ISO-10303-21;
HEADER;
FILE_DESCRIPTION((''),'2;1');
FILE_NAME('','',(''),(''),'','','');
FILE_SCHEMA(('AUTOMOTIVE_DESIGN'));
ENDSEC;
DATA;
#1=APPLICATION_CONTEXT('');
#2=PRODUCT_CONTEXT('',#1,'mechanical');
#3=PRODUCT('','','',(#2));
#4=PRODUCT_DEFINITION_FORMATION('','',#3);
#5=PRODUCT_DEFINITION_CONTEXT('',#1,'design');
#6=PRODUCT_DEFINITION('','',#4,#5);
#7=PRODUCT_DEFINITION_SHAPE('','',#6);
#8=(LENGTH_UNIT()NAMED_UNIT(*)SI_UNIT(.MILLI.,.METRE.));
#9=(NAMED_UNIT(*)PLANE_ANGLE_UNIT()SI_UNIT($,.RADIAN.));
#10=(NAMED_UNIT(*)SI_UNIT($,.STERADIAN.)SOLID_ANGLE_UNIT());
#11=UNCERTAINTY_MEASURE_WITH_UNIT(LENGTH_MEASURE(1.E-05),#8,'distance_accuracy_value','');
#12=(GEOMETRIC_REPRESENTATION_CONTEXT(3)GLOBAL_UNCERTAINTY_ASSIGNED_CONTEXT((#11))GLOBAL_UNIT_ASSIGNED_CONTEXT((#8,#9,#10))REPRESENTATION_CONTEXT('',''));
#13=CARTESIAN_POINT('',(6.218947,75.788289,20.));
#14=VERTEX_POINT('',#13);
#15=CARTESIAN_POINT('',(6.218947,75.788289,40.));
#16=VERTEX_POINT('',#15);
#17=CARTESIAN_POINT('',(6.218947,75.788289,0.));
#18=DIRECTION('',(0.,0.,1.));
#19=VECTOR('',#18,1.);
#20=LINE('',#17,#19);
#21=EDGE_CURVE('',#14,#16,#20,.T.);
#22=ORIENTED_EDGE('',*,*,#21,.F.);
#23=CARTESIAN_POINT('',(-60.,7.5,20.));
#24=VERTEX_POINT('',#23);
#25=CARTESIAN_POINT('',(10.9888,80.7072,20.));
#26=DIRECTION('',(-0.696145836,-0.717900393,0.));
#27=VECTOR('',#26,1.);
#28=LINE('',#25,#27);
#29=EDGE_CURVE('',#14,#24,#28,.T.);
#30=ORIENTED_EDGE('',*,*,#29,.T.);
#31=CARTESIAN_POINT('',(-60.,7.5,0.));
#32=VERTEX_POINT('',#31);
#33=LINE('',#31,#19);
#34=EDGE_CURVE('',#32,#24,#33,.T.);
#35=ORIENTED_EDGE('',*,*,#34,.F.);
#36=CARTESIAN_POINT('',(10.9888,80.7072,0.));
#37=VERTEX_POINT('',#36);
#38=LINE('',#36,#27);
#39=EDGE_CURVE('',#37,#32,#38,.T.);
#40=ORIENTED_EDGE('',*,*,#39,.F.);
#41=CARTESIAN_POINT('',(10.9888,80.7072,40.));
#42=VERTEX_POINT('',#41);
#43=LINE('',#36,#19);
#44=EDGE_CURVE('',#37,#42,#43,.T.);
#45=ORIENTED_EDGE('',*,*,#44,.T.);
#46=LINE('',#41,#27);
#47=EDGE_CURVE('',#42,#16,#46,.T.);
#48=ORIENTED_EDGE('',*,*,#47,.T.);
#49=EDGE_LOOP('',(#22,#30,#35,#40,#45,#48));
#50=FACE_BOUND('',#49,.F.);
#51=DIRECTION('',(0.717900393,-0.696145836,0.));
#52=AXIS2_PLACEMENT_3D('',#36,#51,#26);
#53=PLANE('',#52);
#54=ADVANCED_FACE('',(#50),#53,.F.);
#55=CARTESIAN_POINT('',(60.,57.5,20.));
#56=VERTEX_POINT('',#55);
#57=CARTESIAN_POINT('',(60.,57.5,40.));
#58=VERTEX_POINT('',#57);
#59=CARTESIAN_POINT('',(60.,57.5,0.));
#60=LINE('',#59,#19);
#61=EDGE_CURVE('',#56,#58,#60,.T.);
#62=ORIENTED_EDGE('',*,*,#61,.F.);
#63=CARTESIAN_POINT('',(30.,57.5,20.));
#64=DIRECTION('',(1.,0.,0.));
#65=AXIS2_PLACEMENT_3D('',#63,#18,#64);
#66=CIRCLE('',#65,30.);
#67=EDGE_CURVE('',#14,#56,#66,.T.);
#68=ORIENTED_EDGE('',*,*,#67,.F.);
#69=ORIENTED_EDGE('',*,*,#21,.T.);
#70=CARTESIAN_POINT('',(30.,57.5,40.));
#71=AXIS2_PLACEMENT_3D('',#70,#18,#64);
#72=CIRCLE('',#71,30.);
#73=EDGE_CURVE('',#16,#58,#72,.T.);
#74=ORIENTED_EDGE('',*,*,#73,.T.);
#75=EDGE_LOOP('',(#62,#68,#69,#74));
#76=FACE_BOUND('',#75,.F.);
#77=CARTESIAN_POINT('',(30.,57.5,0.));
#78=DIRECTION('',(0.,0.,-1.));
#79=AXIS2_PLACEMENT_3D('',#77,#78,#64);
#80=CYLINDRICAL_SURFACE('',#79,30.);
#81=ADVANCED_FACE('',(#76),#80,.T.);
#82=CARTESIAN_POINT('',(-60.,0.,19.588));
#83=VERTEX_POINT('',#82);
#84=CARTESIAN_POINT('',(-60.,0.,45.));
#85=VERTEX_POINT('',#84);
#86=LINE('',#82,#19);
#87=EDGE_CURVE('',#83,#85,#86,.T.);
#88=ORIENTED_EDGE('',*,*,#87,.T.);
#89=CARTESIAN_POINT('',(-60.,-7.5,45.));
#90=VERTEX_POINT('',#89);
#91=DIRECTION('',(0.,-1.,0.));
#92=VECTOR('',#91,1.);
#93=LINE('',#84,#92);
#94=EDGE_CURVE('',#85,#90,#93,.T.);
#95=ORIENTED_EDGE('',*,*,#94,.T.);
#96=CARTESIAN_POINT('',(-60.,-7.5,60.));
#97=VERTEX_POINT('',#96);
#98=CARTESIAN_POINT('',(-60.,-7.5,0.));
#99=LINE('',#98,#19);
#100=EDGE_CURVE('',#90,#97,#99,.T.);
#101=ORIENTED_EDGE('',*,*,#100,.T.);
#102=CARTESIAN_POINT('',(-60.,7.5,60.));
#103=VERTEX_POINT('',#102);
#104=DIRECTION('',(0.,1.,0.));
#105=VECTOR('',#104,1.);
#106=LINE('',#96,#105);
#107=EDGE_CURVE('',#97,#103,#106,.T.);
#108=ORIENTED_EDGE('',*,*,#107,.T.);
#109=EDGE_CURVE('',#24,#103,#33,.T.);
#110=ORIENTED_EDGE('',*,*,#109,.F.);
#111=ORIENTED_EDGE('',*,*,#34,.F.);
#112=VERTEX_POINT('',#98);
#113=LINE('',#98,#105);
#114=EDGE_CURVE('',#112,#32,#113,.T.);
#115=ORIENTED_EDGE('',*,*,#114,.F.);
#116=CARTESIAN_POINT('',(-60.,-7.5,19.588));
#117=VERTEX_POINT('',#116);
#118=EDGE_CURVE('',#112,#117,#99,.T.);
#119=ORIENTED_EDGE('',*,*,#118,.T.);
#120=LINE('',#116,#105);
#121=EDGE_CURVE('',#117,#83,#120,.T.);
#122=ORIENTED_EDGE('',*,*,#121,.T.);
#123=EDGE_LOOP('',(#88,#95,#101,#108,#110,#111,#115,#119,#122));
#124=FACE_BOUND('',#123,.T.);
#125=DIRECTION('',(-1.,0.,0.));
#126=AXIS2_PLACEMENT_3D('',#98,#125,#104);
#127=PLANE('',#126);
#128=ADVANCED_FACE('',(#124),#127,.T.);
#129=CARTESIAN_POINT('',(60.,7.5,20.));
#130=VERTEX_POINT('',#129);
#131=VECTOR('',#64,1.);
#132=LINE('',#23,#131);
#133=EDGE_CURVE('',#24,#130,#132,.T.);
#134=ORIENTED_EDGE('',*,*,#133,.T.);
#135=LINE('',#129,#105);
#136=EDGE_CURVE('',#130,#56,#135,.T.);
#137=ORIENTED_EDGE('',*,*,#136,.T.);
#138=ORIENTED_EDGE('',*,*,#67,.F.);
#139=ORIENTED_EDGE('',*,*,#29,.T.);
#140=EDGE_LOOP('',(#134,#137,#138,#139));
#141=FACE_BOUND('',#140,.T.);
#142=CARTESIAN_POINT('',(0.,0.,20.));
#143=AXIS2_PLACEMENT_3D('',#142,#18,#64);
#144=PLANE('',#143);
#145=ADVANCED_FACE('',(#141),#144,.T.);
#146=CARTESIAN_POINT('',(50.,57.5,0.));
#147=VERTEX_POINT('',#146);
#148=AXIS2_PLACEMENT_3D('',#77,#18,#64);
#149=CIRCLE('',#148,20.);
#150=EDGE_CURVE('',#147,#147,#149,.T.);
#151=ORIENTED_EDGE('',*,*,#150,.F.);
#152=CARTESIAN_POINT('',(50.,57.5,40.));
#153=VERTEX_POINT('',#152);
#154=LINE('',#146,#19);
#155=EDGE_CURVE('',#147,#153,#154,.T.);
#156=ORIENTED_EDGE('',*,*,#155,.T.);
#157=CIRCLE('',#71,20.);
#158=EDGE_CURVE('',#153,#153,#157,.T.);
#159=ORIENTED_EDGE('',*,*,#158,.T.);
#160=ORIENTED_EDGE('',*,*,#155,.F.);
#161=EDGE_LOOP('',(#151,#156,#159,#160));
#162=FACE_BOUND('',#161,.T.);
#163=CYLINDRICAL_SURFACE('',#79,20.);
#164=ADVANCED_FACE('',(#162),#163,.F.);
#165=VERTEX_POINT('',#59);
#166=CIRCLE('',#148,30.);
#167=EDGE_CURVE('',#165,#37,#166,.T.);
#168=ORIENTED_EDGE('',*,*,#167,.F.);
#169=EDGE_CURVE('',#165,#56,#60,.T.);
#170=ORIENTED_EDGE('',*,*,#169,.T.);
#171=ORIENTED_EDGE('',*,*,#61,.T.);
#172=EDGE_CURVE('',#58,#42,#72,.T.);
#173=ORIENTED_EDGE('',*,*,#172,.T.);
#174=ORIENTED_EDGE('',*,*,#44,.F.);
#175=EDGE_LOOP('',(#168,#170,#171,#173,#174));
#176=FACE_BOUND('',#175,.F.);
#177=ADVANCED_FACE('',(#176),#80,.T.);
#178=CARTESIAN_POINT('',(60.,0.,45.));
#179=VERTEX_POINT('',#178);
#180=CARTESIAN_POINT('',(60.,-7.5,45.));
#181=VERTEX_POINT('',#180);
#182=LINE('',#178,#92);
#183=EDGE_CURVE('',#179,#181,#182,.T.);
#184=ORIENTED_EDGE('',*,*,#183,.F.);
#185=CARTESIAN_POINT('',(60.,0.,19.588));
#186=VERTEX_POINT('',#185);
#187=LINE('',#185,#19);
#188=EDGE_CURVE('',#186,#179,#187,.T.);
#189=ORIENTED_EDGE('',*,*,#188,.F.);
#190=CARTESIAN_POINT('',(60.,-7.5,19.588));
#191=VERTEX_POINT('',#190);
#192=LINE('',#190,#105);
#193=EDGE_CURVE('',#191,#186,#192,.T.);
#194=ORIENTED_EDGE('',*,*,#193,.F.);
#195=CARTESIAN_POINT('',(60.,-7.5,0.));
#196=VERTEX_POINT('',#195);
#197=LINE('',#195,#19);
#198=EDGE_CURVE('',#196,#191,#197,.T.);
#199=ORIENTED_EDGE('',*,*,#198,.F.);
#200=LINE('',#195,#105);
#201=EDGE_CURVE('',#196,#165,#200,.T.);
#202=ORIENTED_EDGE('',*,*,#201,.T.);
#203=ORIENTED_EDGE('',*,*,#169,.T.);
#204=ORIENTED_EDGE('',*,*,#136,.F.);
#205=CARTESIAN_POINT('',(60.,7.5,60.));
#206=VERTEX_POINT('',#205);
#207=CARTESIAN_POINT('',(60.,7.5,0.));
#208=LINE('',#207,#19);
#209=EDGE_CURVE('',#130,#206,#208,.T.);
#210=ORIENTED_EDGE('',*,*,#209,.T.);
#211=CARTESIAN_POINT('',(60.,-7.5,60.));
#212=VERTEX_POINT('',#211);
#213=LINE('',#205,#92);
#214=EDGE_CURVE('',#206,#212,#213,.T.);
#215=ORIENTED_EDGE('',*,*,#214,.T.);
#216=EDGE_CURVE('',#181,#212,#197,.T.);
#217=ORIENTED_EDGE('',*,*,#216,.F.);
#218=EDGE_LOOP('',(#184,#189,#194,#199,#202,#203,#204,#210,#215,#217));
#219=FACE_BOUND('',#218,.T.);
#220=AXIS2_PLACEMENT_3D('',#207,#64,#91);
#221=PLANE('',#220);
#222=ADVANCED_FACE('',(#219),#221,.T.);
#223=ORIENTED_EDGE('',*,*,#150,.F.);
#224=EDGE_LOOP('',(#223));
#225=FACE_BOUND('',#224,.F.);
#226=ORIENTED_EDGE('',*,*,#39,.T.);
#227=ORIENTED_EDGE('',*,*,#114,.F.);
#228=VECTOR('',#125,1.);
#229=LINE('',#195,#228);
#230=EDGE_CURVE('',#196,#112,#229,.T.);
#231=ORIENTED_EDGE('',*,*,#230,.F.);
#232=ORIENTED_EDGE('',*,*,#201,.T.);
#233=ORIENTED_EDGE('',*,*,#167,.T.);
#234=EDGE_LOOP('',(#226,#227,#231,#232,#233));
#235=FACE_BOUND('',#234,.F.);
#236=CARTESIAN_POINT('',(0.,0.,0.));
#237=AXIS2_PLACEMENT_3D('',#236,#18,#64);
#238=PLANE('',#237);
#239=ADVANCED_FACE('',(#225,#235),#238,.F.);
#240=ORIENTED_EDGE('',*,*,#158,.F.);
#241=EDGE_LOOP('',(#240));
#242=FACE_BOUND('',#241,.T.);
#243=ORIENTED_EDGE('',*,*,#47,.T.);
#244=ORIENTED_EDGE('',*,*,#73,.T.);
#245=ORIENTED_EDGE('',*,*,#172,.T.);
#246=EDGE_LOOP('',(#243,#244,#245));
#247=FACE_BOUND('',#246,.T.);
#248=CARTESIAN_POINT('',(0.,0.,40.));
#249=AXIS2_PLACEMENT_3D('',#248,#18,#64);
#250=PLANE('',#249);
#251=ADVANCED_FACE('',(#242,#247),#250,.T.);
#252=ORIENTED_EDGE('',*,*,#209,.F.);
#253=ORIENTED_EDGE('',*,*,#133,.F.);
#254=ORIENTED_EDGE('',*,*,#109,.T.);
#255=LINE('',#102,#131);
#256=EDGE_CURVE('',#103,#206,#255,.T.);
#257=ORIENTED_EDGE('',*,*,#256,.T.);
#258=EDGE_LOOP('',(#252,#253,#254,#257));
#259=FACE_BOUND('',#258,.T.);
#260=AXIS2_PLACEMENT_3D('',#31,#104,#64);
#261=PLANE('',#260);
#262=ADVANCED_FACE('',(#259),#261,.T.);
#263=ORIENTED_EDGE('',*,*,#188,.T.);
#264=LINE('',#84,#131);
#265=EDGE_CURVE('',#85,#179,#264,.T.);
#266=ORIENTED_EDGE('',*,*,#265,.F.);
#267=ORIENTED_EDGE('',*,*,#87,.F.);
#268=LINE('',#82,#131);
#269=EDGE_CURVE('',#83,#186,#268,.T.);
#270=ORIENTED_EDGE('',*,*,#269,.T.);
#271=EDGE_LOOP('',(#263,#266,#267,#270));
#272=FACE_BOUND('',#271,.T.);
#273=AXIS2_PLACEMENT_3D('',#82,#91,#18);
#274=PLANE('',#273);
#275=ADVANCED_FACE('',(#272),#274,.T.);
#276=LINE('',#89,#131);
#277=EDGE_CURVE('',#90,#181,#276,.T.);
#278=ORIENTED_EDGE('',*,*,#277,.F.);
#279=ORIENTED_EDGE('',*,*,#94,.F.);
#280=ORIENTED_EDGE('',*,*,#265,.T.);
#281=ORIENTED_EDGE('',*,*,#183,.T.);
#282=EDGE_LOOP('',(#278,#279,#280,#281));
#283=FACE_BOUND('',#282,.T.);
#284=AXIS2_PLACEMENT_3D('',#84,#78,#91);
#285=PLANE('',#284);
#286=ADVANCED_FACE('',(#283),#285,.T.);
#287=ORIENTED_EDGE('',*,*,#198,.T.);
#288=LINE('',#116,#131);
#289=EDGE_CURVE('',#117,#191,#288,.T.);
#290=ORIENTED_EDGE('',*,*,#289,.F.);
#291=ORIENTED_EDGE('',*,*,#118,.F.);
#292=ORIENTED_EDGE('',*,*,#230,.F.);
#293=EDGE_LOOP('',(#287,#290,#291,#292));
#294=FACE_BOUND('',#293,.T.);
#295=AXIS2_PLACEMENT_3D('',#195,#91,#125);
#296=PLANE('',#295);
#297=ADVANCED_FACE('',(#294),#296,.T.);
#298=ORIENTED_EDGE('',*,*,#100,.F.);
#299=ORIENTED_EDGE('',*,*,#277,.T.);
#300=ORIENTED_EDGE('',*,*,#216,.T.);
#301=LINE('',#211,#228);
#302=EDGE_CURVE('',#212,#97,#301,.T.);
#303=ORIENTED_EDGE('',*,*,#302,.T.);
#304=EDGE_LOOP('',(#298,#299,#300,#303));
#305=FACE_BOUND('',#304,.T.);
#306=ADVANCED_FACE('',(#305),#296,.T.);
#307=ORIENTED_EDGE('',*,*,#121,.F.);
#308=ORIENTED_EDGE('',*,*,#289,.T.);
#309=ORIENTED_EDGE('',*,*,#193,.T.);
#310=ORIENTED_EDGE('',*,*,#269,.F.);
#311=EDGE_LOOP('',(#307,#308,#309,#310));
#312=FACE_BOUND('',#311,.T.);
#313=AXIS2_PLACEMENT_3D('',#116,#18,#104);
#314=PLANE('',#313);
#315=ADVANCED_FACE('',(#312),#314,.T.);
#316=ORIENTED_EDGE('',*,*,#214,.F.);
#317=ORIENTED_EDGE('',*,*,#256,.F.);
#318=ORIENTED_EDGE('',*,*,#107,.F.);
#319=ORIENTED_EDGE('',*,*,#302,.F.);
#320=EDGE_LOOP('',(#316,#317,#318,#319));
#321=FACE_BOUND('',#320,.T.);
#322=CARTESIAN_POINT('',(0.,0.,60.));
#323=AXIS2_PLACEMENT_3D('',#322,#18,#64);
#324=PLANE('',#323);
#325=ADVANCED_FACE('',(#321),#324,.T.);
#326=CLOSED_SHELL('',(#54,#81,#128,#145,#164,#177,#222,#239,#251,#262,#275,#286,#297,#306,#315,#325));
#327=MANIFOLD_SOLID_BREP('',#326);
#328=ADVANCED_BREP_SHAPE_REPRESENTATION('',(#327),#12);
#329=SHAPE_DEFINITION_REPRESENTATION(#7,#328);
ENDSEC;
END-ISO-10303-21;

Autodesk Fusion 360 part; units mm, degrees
sketch "Sketch1" plane through (0, 0, 0) normal (0, 0, 1) x (1, 0, 0)
  line L0 (60, -7.5) -> (-60, -7.5)
  line L1 (-60, -7.5) -> (-60, 7.5)
  line L2 (-60, 7.5) -> (60, 7.5)
  line L3 (60, 7.5) -> (60, -7.5)
  line L4 (60, 7.5) -> (60, 57.5)
  circle A0 centre (30, 57.5) radius 30
  circle A1 centre (30, 57.5) radius 20
  line L5 (10.9888, 80.7072) -> (-60, 7.5)
  dimension "d1" = 120
  dimension "d2" = 15
  dimension "d5" = 30
  dimension "d6" = 60
  dimension "d7" = 40
extrude "Extrude1" add sketch "Sketch1" along normal blind 40 contours A0 L5 picked at (10.8489, 75.8663)
extrude "Extrude2" add sketch "Sketch1" along normal blind 20 contours L2 L4 A0 L5
extrude "Extrude3" add sketch "Sketch1" along normal blind 60 contours L0 L1 L2 L3
sketch "Sketch2" plane through (-60, 0, 0) normal (-1, 0, 0) x (0, -1, 0)
  line L0 (-7.5, 0) -> (7.5, 0)
  line L1 (7.5, 0) -> (7.5, 60)
  line L2 (7.5, 60) -> (-7.5, 60)
  line L3 (-7.5, 60) -> (-7.5, 20)
  line L4 (-7.5, 20) -> (-7.5, 0)
  line L5 (7.5, 19.588) -> (0, 19.588)
  line L6 (0, 19.588) -> (0, 45)
  line L7 (0, 45) -> (7.5, 45)
  line L8 (7.5, 45) -> (7.5, 19.588)
extrude "Extrude4" cut sketch "Sketch2" against normal blind 120 contours L1 L5 L6 L7 L8
